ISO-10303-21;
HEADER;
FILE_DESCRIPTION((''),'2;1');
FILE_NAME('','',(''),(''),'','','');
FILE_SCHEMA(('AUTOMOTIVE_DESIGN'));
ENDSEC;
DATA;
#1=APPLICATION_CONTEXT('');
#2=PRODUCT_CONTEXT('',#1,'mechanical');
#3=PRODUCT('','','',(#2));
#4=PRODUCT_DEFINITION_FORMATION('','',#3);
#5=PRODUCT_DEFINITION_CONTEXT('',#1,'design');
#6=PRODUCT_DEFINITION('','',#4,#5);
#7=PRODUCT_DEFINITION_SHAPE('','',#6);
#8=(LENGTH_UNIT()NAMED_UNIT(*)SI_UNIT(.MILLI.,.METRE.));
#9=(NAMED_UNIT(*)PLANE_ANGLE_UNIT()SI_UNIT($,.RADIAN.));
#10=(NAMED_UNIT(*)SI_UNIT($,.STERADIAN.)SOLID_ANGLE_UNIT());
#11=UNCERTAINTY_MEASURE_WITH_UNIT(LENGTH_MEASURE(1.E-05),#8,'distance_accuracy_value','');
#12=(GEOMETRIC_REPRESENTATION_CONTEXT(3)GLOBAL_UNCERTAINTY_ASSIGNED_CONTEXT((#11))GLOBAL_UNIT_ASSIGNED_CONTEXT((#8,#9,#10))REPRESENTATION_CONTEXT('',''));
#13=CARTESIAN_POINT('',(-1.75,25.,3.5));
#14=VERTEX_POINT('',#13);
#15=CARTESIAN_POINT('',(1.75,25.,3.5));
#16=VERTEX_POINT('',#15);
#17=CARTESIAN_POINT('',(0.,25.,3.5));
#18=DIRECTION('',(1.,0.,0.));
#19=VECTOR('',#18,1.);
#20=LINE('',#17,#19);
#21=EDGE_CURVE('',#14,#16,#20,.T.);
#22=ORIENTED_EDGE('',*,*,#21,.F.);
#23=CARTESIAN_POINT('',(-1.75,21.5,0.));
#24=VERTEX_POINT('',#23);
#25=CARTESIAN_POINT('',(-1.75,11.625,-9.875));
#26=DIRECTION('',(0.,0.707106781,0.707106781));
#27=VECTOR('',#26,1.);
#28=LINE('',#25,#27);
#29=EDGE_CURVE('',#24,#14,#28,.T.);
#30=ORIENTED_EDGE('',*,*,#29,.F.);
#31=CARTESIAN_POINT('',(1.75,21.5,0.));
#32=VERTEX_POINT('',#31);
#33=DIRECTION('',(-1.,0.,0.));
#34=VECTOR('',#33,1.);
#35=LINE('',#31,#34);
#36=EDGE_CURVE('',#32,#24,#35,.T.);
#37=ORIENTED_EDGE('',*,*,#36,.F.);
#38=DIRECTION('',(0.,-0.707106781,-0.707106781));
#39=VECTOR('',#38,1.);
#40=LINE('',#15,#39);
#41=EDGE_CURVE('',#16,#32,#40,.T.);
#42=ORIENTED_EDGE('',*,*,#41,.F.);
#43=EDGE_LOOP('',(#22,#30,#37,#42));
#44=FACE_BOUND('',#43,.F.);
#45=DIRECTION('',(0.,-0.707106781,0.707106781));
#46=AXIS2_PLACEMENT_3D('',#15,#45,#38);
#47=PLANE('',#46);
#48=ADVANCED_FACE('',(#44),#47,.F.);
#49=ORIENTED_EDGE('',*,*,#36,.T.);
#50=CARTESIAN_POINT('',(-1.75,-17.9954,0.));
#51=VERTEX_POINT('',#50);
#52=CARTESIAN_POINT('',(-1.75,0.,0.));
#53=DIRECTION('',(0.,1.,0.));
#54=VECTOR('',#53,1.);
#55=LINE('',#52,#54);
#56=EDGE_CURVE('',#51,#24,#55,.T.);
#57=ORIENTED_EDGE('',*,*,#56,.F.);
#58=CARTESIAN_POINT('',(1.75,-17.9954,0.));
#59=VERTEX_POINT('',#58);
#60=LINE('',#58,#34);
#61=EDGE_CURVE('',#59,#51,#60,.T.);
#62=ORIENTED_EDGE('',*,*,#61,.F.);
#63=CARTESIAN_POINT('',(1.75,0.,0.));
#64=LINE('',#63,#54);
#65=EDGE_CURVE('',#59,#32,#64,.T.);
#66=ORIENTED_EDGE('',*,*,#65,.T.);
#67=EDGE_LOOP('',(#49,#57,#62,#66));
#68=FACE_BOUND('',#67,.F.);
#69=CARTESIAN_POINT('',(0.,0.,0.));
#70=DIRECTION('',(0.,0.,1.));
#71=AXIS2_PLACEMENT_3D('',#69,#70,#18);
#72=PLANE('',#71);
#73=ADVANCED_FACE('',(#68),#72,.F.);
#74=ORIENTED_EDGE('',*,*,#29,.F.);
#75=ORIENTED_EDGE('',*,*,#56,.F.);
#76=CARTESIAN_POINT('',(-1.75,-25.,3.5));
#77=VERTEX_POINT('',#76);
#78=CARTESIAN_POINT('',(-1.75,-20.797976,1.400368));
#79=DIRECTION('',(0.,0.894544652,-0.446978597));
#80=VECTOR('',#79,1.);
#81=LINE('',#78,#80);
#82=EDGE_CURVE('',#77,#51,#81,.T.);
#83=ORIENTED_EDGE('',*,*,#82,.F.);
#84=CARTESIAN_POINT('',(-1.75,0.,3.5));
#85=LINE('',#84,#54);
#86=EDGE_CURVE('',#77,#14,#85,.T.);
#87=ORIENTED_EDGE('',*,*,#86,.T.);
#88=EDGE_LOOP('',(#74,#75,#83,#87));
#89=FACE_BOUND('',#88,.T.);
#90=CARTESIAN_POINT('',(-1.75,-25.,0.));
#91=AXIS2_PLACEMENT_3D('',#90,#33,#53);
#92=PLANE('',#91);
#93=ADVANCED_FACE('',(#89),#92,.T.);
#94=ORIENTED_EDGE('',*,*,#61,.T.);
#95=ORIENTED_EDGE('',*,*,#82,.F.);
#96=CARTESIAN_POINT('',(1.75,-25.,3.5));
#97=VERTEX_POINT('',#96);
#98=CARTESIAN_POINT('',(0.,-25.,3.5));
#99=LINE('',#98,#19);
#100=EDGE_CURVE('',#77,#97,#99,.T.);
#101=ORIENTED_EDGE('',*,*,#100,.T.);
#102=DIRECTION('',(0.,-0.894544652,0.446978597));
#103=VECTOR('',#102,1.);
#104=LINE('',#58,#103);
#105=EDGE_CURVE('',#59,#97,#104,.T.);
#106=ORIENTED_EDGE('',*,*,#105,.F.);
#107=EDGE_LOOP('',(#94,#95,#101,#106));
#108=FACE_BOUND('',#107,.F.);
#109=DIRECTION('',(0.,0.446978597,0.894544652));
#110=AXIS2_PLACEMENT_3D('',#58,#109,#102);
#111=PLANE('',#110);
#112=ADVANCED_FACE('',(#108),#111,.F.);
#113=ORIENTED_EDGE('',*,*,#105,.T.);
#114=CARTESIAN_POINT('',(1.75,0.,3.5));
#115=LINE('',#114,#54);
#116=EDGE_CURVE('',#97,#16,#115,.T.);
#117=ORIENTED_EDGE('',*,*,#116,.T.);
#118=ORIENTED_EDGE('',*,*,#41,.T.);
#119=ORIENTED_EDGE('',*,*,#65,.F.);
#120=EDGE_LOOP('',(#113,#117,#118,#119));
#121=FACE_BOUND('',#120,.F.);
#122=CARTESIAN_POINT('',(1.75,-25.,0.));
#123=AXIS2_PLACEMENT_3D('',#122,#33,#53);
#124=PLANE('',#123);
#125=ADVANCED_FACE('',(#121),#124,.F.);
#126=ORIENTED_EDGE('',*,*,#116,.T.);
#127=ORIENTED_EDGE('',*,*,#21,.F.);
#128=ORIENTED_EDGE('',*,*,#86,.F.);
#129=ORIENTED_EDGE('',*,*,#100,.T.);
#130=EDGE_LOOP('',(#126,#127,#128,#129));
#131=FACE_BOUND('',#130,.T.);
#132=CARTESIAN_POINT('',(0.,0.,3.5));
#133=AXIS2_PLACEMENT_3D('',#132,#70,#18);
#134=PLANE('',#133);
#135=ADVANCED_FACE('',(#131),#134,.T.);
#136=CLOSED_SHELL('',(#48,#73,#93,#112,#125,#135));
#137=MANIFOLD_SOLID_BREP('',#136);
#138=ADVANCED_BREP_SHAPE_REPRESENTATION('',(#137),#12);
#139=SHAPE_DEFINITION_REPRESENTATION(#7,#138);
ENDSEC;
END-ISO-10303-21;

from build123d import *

# Parameters (mm, degrees)
F0_W     = 3.5
F0_H     = 50
F1_DEPTH = 3.5
F3_DEPTH = 3.501


with BuildPart() as f1:
    # F0 (on Top) → F1 (new body)
    with BuildSketch(Plane.XY):
        Rectangle(F0_W, F0_H)
    extrude(amount=F1_DEPTH)

    # F2 (on face) → F3 (cut, through all)
    with BuildSketch(Plane.YZ.offset(1.75)):
        Polygon((-17.9954, 0), (-25, 3.5), (-25, 0), align=None)
        Polygon((25, 0), (25, 3.5), (21.5, 0), align=None)
    extrude(amount=-F3_DEPTH, mode=Mode.SUBTRACT)


solid = f1.part
